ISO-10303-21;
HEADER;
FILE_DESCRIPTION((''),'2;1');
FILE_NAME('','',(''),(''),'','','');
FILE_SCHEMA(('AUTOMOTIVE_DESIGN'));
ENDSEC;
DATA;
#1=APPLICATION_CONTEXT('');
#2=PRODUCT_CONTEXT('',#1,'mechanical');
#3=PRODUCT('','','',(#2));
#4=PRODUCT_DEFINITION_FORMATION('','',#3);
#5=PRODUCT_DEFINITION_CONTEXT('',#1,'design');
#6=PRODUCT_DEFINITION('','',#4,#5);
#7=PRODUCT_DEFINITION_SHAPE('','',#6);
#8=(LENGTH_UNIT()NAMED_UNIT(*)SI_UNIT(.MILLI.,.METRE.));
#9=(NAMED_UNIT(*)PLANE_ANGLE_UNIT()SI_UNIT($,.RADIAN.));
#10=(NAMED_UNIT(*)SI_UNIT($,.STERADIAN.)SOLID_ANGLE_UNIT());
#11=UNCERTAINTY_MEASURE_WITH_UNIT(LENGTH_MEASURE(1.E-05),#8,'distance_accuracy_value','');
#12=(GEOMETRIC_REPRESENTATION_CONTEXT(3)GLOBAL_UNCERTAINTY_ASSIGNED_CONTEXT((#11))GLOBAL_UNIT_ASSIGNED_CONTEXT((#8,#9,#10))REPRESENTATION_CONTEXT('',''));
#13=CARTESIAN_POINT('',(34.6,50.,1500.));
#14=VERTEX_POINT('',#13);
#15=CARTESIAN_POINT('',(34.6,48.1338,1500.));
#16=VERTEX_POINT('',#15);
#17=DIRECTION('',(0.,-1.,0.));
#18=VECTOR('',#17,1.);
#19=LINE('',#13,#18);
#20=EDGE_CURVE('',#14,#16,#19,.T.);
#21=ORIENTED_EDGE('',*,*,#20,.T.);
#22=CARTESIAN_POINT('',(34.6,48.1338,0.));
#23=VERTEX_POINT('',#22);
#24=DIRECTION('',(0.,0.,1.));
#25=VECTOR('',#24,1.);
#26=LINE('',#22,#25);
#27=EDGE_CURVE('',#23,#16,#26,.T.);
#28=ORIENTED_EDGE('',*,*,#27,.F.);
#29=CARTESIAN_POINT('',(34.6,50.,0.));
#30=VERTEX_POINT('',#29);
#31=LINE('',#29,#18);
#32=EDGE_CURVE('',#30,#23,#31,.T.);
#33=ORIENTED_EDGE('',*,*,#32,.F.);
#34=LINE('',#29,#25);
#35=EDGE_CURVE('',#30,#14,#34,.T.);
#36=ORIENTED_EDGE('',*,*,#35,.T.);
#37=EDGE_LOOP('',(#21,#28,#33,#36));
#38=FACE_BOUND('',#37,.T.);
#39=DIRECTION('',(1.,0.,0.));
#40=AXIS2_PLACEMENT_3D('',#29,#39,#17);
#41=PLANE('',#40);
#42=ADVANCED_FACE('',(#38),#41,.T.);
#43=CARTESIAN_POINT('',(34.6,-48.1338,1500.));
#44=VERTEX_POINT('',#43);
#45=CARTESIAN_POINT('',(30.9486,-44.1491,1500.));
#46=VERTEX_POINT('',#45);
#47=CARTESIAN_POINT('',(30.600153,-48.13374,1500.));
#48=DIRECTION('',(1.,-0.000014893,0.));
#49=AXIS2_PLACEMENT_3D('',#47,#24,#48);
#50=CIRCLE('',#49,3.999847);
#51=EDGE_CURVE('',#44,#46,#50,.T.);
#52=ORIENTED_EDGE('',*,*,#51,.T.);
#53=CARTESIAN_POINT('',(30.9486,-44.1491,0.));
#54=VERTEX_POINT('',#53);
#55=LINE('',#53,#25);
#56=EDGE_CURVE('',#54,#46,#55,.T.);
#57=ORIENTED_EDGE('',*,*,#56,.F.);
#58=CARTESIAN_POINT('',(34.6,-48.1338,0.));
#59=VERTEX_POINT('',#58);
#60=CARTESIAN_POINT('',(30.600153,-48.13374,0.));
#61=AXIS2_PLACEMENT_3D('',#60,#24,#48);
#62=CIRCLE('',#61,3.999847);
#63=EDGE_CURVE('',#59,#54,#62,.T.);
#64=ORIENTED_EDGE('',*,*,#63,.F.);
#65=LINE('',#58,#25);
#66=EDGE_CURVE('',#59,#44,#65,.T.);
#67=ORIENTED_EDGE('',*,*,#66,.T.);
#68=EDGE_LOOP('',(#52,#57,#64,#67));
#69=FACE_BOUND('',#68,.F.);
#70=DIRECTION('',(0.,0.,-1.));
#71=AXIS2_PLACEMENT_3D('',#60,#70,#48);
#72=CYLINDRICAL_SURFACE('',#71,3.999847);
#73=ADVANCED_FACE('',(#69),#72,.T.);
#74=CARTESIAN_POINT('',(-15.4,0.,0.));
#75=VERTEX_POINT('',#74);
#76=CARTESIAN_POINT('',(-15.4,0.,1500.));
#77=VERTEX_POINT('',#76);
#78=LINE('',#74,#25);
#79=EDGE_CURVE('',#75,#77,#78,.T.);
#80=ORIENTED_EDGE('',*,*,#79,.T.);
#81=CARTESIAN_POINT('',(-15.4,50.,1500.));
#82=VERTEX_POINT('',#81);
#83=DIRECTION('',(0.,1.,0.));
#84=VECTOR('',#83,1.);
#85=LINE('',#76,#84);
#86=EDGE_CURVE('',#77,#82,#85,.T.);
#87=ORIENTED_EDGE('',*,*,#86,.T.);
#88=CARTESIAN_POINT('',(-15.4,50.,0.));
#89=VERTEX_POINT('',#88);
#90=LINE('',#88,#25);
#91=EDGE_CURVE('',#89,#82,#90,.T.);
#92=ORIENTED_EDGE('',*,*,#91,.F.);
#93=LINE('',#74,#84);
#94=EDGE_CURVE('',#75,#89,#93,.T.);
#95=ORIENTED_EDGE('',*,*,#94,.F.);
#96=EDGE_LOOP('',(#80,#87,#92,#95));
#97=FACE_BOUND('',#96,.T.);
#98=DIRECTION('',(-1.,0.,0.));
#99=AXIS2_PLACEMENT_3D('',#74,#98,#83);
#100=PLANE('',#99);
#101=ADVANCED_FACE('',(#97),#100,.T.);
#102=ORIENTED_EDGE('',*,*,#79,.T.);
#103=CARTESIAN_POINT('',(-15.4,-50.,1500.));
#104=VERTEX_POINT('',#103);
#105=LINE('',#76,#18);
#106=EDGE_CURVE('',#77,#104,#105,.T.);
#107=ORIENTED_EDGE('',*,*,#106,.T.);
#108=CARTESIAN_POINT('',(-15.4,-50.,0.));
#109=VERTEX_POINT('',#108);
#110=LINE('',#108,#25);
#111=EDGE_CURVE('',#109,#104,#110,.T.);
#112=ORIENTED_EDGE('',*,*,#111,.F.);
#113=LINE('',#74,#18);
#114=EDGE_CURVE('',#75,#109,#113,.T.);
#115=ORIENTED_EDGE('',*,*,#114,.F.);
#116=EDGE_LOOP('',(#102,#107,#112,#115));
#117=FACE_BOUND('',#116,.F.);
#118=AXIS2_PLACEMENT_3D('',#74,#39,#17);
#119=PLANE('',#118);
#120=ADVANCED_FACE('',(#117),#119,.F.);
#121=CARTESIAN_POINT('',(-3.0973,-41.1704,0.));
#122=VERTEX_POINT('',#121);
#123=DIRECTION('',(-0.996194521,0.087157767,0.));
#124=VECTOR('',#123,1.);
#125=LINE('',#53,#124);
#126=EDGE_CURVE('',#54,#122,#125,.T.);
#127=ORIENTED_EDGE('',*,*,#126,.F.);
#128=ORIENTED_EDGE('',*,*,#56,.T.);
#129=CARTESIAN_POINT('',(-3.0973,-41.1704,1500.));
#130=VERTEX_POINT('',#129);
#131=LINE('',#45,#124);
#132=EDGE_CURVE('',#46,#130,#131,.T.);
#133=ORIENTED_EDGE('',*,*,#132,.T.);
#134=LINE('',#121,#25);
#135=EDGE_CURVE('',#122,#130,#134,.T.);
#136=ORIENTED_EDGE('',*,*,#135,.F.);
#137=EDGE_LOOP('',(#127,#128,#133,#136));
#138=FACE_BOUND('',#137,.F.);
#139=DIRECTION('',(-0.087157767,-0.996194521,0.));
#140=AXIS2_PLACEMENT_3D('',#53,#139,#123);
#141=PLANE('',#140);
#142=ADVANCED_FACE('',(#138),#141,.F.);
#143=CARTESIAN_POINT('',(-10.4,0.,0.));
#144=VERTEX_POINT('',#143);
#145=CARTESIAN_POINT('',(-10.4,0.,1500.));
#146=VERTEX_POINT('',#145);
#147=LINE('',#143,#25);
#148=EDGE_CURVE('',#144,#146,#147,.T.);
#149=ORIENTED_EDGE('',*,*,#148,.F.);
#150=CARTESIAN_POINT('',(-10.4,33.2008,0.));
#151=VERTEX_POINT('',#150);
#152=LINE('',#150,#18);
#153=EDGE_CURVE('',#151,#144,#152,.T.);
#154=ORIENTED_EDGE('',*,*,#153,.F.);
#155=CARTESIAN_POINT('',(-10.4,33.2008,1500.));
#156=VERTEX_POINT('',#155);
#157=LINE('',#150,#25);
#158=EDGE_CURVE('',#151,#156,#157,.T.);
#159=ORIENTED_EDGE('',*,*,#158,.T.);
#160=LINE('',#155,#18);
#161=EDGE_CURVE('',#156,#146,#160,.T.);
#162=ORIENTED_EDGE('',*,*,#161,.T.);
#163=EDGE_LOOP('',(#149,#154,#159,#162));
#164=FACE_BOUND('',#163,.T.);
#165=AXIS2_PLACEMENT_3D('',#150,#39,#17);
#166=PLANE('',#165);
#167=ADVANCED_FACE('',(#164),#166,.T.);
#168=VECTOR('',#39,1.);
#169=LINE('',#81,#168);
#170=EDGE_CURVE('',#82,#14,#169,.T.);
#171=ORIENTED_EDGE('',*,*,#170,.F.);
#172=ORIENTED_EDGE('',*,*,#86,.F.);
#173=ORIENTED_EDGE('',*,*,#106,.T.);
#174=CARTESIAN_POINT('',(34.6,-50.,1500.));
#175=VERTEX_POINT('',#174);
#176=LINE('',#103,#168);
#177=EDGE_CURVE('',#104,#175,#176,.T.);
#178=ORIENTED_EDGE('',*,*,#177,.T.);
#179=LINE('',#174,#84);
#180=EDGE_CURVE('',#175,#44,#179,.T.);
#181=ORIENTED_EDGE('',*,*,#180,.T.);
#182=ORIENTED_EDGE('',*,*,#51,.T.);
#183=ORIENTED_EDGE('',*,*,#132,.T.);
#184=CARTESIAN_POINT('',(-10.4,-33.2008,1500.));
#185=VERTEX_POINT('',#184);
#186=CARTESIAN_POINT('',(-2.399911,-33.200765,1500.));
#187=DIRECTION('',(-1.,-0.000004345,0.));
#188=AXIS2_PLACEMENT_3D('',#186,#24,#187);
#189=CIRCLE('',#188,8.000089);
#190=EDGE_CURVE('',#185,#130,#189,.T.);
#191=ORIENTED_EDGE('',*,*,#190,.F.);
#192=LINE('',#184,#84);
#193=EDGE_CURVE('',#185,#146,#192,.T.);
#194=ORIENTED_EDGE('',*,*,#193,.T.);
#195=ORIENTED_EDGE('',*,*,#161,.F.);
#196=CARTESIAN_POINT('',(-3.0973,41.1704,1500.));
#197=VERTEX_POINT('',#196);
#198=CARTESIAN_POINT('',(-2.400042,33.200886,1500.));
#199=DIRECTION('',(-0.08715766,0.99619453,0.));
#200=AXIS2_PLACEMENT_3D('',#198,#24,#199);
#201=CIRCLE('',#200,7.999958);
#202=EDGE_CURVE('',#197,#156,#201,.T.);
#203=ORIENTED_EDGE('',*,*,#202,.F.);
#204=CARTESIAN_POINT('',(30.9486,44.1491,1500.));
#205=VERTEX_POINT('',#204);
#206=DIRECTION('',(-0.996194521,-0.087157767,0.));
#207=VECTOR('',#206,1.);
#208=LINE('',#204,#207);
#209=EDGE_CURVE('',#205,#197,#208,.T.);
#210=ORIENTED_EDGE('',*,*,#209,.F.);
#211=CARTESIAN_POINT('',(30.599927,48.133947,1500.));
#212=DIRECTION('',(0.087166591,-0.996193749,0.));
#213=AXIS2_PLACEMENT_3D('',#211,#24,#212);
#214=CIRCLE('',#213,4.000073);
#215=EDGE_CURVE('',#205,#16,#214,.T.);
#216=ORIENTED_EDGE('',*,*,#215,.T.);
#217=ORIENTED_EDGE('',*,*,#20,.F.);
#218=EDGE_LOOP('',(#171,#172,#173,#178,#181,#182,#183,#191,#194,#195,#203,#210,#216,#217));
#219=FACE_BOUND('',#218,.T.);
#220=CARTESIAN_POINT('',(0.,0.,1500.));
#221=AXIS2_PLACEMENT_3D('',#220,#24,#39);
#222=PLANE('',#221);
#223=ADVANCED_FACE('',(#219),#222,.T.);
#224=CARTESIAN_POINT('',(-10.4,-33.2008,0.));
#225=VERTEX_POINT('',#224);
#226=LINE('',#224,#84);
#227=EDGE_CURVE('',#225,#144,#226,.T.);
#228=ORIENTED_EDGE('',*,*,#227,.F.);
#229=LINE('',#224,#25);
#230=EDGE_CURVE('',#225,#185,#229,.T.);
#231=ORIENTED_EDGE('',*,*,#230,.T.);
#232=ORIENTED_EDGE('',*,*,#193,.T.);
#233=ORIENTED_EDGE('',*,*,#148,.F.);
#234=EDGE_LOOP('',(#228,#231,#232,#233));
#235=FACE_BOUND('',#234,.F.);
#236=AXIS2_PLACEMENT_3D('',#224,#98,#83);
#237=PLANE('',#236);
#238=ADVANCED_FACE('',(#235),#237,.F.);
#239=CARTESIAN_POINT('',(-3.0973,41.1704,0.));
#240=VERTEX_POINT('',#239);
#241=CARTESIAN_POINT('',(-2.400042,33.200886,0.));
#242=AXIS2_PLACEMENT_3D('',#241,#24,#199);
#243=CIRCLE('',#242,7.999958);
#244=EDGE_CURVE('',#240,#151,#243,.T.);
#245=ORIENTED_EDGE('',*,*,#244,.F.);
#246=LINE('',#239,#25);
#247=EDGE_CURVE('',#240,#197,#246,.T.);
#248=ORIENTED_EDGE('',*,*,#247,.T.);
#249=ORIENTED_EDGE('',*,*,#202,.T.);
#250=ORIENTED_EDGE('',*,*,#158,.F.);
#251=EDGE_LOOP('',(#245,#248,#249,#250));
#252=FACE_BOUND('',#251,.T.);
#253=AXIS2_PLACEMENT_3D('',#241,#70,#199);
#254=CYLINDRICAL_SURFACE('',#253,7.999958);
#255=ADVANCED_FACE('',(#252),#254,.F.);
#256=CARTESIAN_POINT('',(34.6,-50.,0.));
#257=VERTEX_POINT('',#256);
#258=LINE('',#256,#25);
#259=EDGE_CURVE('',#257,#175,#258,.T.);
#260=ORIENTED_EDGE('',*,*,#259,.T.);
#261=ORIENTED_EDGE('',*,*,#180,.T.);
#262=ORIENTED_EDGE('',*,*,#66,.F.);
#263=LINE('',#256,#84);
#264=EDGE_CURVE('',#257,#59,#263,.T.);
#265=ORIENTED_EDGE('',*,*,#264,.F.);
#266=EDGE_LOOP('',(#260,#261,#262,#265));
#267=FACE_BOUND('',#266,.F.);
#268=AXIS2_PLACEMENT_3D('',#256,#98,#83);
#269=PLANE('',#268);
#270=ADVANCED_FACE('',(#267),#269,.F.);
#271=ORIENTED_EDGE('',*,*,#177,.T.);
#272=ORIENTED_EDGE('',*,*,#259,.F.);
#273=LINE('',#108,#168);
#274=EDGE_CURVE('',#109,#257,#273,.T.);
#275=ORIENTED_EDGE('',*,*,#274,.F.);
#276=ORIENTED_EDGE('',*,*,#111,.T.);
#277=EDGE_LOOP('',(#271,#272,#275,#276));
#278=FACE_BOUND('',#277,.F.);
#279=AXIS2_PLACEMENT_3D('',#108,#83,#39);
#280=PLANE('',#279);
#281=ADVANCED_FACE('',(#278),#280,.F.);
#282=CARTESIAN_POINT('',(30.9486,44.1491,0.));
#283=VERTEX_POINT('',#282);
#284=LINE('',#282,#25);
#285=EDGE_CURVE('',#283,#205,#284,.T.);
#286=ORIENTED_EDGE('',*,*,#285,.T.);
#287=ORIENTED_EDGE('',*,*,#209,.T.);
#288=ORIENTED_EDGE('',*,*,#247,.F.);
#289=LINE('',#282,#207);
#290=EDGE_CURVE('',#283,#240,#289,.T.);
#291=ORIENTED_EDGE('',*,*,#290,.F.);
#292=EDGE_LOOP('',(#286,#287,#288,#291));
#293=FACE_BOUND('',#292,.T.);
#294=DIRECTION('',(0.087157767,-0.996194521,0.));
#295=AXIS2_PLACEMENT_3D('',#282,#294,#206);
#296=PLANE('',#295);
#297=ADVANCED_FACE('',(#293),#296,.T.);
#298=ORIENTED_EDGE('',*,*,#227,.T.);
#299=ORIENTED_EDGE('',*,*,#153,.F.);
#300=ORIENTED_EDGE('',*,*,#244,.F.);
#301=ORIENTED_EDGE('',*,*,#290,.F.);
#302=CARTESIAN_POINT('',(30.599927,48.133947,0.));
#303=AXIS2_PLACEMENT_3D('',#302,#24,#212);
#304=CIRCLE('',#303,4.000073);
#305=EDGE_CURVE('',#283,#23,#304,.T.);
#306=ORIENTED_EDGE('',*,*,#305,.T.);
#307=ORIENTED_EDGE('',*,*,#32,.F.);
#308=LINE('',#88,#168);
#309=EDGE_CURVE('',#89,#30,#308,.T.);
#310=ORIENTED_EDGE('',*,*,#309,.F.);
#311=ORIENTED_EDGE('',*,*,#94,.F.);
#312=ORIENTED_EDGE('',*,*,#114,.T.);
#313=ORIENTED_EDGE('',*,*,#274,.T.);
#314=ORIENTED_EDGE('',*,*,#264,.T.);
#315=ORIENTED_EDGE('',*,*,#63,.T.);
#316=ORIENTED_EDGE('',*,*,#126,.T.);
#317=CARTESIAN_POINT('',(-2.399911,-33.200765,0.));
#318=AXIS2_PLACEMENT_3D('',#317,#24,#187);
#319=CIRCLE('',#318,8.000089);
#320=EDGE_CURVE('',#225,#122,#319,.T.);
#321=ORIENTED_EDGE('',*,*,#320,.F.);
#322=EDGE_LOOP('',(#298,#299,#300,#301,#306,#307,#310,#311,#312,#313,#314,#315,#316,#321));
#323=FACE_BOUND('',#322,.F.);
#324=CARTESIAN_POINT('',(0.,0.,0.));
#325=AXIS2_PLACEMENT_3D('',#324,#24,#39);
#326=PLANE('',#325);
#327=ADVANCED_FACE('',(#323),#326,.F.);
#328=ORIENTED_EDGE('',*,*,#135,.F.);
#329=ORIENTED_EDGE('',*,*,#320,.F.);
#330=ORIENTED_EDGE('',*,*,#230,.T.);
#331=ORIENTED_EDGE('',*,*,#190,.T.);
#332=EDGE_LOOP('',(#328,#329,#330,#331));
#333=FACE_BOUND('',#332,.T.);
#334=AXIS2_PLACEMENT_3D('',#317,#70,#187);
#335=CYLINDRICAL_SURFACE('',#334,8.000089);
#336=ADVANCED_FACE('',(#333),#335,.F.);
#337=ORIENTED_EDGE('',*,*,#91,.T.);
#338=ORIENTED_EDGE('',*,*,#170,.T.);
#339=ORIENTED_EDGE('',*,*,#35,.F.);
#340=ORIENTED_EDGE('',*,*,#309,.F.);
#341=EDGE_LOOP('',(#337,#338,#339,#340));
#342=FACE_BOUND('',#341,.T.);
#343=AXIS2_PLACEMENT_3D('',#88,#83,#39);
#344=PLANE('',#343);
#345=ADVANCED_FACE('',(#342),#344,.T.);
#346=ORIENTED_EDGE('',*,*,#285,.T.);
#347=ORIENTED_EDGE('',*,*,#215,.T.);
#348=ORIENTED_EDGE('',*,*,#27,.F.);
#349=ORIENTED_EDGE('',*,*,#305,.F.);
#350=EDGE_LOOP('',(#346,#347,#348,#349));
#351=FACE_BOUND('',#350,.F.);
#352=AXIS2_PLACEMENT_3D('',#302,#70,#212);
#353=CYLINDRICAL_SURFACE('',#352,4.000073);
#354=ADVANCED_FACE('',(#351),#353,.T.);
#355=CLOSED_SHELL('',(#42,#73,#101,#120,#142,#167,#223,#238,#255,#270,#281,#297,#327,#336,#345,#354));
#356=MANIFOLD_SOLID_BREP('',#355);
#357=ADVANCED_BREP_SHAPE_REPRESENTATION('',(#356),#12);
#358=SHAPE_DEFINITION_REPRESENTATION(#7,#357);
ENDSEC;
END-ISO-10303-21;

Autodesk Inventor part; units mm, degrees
ref_plane "YZ Plane" through (0, 0, 0) normal (1, 0, 0) x (0, 1, 0)
ref_plane "Start plane" through (0, 0, 0) normal (0, 0, 1) x (1, 0, 0)
ref_plane "End plane" through (0, 0, 1500) normal (0, 0, 1) x (1, 0, 0)
sketch "Sketch" plane through (0, 0, 0) normal (0, 0, 1) x (1, 0, 0)
  line L0 (-15.4, 0) -> (-15.4, 50)
  line L1 (-15.4, 50) -> (34.6, 50)
  line L2 (34.6, 50) -> (34.6, 48.1338)
  line L3 (30.9486, 44.1491) -> (-3.0973, 41.1704)
  line L4 (-10.4, 33.2008) -> (-10.4, 0)
  line L5 (-10.4, 0) -> (-15.4, 0) construction
  line L6 (12.1, 50) -> (12.1, 42.5) construction
  line L7 (34.6, 44.4685) -> (34.6, 42.5) construction
  line L8 (34.6, 42.5) -> (12.1, 42.5) construction
  line L9 (0, 15) -> (0, -27) construction
  line L10 (-5.539, 0) -> (16.0067, 0) construction
  line L11 (-15.4, 0) -> (-15.4, -50)
  line L12 (-15.4, -50) -> (34.6, -50)
  line L13 (34.6, -50) -> (34.6, -48.1338)
  line L14 (30.9486, -44.1491) -> (-3.0973, -41.1704)
  line L15 (-10.4, -33.2008) -> (-10.4, 0)
  arc A0 (-3.0973, 41.1704) -> (-10.4, 33.2008) centre (-2.4, 33.2008) ccw
  arc A1 (-10.4, -33.2008) -> (-3.0973, -41.1704) centre (-2.4, -33.2008) ccw
  arc A2 (30.9486, 44.1491) -> (34.6, 48.1338) centre (30.6, 48.1338) ccw
  arc A3 (34.6, -48.1338) -> (30.9486, -44.1491) centre (30.6, -48.1338) ccw
  line L16 (0, 23.4) -> (0, -35.4) construction
  line L17 (-9.8481, 0) -> (20.3158, 0) construction
  point P0 (-10.4, 40.5315)
  point P1 (34.6, -44.4685)
  point P2 (-10.4, -40.5315)
  point P3 (12.1, -50)
  point P4 (12.1, -42.5)
  dimension "d0" = 5
  dimension "d1" = 50
  dimension "d2" = 50
  dimension "d3" = 7.5
  dimension "d4" = 22.5
  dimension "d5" = 1.9685
  dimension "d23" = 8
  dimension "d24" = 4
  dimension "d25" = 15.4
extrude "Body" add sketch "Sketch" along normal up to surface (1500 mm away) from surface at 0
sketch "Sketch3" plane through (0, 0, 0) normal (0, 0, 1) x (1, 0, 0)
  line L0 (0, 0) -> (10, 0)
ref_plane "Work Plane3" through (0, 0, 0) normal (0, -1, 0) x (1, 0, 0)
sketch "Sketch4" plane through (0, 0, 0) normal (0, -1, 0) x (1, 0, 0)
  line L0 (-2, 0) -> (12, 0) projected
  line L1 (-2, 1500) -> (12, 1500) projected
  dimension "d29" = 1500
equation "\"d0\" = G_T"
equation "\"d1\" = 0.5 * G_H"
equation "\"d2\" = G_W"
equation "\"d3\" = G_T1"
equation "\"d4\" = G_C"
equation "\"d23\" = G_IR"
equation "\"d24\" = G_ER"
equation "\"d25\" = ey"
equation "\"d6\" = G_L"
equation "\"G_W\" = 50"
equation "\"G_T\" = 5"
equation "\"G_T1\" = 7.5"
equation "\"G_NG\" = 0.08749"
equation "\"G_ER\" = 4"
equation "\"G_IR\" = 8"
equation "\"G_C\" = 22.5"
equation "\"G_L\" = d29"
equation "\"ey\" = 15.4"
equation "\"G_OFFSET_START\" = 0"
equation "\"G_OFFSET_END\" = 0"
equation "\"G_H\" = 100"
properties part number "JIS G 3192 - 100 x 50 x 5 - 1500" material "Steel, Mild"
